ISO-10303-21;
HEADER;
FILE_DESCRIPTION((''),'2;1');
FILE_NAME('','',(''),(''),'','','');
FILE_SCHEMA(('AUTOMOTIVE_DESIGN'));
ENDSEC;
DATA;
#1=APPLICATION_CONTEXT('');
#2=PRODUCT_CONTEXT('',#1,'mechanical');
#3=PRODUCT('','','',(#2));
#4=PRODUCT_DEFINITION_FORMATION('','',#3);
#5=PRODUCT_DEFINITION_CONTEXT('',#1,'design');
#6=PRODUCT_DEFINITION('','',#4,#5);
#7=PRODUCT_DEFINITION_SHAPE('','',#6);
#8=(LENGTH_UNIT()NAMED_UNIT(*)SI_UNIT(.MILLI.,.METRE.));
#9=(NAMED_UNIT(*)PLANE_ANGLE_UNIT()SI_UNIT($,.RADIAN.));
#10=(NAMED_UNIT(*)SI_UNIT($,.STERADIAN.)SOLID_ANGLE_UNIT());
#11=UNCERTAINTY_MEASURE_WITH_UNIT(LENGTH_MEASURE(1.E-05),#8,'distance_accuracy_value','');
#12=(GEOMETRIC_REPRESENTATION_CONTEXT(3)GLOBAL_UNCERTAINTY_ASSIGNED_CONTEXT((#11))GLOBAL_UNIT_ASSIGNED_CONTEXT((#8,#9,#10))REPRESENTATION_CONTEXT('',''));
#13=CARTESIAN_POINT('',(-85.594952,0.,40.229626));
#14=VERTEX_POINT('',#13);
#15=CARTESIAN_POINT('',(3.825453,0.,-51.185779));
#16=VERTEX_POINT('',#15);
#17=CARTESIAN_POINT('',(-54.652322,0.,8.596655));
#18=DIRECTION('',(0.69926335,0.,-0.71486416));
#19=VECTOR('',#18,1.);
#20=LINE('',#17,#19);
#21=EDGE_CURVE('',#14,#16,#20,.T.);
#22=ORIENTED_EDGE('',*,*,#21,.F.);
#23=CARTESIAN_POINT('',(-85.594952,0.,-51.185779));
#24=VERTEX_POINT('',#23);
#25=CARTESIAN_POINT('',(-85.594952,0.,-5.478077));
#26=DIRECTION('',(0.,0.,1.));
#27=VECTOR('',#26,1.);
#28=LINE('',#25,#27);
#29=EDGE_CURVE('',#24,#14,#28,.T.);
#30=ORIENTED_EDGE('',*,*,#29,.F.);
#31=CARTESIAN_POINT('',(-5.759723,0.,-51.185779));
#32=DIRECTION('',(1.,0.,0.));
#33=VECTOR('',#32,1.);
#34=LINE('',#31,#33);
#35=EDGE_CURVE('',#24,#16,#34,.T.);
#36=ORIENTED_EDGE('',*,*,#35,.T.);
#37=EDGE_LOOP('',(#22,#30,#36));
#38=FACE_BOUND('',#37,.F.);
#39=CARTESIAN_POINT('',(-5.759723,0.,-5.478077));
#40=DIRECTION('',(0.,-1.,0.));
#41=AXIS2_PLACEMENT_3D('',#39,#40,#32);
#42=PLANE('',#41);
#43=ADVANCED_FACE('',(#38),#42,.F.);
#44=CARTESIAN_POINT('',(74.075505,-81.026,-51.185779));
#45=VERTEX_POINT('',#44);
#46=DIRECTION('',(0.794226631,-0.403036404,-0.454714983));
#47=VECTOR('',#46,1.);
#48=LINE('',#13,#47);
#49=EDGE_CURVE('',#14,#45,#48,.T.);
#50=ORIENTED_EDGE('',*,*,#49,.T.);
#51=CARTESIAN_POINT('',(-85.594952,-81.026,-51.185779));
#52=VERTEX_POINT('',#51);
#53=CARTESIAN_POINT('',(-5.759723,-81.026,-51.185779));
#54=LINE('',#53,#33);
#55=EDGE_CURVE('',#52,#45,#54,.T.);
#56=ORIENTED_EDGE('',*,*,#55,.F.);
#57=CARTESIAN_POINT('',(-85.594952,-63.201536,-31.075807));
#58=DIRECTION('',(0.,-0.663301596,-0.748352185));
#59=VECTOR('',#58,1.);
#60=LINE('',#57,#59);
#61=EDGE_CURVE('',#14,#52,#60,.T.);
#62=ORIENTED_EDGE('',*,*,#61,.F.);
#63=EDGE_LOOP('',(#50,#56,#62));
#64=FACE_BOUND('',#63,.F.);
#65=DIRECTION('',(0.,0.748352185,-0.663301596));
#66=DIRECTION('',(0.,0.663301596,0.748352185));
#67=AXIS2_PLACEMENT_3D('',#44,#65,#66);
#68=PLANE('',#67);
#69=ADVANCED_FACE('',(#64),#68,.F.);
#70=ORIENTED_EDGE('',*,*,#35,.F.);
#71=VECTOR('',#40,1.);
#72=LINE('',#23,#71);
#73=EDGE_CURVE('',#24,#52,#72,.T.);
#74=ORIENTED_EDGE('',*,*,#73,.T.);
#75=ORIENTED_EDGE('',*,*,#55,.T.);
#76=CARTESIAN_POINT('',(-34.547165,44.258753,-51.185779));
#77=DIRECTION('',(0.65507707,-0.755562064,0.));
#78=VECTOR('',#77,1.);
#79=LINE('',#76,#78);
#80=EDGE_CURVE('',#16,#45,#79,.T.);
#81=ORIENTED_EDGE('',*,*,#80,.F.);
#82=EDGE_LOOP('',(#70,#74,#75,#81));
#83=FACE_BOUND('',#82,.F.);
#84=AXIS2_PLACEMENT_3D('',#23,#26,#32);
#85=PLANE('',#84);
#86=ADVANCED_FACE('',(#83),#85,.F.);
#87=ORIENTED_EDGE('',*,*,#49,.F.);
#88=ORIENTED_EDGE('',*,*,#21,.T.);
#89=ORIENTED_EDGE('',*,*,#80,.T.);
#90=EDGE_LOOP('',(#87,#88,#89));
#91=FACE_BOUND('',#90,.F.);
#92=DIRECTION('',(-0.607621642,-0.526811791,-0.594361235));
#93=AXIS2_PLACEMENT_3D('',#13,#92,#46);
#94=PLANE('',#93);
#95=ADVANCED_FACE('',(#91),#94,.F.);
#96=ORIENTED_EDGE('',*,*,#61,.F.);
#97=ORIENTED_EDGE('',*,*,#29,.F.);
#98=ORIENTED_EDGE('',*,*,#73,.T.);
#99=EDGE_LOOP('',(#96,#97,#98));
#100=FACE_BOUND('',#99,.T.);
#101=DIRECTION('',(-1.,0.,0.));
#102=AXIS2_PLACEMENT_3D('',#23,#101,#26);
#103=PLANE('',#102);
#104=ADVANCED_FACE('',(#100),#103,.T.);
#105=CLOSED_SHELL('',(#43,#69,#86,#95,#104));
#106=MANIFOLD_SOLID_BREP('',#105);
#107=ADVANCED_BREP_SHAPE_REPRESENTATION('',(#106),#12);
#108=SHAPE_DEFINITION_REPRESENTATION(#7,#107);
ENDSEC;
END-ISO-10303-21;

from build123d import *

# Parameters (mm, degrees)
F0_W     = 159.6704572439
F0_H     = 91.4154052735
F1_DEPTH = 81.026
F3_DEPTH = 159.6714572439
F5_DEPTH = 60.6369841733


with BuildPart() as f1:
    # F0 (on Front) → F1 (new body)
    with BuildSketch(Plane.XZ):
        with Locations((-5.7597234845, -5.4780766368)):
            Rectangle(F0_W, F0_H)
    extrude(amount=F1_DEPTH)

    # F2 (on face) → F3 (cut, through all)
    with BuildSketch(Plane.YZ.offset(74.0755051374)):
        Polygon((-81.026, -51.1857792735), (0, 40.229626), (-81.026, 40.229626), align=None)
    extrude(amount=-F3_DEPTH, mode=Mode.SUBTRACT)

    # F4 (on face) → F5 (cut, through all)
    with BuildSketch(Plane(origin=(0, -19.9693104316, 17.699788588), x_dir=(1, 0, 0), z_dir=(0, -0.7483521854, 0.6633015955))):
        Polygon((74.0755051374, 30.1059285345), (-85.5949521065, 30.1059285345), (74.0755051374, -92.049664859), align=None)
    extrude(amount=-F5_DEPTH, mode=Mode.SUBTRACT)


solid = f1.part
